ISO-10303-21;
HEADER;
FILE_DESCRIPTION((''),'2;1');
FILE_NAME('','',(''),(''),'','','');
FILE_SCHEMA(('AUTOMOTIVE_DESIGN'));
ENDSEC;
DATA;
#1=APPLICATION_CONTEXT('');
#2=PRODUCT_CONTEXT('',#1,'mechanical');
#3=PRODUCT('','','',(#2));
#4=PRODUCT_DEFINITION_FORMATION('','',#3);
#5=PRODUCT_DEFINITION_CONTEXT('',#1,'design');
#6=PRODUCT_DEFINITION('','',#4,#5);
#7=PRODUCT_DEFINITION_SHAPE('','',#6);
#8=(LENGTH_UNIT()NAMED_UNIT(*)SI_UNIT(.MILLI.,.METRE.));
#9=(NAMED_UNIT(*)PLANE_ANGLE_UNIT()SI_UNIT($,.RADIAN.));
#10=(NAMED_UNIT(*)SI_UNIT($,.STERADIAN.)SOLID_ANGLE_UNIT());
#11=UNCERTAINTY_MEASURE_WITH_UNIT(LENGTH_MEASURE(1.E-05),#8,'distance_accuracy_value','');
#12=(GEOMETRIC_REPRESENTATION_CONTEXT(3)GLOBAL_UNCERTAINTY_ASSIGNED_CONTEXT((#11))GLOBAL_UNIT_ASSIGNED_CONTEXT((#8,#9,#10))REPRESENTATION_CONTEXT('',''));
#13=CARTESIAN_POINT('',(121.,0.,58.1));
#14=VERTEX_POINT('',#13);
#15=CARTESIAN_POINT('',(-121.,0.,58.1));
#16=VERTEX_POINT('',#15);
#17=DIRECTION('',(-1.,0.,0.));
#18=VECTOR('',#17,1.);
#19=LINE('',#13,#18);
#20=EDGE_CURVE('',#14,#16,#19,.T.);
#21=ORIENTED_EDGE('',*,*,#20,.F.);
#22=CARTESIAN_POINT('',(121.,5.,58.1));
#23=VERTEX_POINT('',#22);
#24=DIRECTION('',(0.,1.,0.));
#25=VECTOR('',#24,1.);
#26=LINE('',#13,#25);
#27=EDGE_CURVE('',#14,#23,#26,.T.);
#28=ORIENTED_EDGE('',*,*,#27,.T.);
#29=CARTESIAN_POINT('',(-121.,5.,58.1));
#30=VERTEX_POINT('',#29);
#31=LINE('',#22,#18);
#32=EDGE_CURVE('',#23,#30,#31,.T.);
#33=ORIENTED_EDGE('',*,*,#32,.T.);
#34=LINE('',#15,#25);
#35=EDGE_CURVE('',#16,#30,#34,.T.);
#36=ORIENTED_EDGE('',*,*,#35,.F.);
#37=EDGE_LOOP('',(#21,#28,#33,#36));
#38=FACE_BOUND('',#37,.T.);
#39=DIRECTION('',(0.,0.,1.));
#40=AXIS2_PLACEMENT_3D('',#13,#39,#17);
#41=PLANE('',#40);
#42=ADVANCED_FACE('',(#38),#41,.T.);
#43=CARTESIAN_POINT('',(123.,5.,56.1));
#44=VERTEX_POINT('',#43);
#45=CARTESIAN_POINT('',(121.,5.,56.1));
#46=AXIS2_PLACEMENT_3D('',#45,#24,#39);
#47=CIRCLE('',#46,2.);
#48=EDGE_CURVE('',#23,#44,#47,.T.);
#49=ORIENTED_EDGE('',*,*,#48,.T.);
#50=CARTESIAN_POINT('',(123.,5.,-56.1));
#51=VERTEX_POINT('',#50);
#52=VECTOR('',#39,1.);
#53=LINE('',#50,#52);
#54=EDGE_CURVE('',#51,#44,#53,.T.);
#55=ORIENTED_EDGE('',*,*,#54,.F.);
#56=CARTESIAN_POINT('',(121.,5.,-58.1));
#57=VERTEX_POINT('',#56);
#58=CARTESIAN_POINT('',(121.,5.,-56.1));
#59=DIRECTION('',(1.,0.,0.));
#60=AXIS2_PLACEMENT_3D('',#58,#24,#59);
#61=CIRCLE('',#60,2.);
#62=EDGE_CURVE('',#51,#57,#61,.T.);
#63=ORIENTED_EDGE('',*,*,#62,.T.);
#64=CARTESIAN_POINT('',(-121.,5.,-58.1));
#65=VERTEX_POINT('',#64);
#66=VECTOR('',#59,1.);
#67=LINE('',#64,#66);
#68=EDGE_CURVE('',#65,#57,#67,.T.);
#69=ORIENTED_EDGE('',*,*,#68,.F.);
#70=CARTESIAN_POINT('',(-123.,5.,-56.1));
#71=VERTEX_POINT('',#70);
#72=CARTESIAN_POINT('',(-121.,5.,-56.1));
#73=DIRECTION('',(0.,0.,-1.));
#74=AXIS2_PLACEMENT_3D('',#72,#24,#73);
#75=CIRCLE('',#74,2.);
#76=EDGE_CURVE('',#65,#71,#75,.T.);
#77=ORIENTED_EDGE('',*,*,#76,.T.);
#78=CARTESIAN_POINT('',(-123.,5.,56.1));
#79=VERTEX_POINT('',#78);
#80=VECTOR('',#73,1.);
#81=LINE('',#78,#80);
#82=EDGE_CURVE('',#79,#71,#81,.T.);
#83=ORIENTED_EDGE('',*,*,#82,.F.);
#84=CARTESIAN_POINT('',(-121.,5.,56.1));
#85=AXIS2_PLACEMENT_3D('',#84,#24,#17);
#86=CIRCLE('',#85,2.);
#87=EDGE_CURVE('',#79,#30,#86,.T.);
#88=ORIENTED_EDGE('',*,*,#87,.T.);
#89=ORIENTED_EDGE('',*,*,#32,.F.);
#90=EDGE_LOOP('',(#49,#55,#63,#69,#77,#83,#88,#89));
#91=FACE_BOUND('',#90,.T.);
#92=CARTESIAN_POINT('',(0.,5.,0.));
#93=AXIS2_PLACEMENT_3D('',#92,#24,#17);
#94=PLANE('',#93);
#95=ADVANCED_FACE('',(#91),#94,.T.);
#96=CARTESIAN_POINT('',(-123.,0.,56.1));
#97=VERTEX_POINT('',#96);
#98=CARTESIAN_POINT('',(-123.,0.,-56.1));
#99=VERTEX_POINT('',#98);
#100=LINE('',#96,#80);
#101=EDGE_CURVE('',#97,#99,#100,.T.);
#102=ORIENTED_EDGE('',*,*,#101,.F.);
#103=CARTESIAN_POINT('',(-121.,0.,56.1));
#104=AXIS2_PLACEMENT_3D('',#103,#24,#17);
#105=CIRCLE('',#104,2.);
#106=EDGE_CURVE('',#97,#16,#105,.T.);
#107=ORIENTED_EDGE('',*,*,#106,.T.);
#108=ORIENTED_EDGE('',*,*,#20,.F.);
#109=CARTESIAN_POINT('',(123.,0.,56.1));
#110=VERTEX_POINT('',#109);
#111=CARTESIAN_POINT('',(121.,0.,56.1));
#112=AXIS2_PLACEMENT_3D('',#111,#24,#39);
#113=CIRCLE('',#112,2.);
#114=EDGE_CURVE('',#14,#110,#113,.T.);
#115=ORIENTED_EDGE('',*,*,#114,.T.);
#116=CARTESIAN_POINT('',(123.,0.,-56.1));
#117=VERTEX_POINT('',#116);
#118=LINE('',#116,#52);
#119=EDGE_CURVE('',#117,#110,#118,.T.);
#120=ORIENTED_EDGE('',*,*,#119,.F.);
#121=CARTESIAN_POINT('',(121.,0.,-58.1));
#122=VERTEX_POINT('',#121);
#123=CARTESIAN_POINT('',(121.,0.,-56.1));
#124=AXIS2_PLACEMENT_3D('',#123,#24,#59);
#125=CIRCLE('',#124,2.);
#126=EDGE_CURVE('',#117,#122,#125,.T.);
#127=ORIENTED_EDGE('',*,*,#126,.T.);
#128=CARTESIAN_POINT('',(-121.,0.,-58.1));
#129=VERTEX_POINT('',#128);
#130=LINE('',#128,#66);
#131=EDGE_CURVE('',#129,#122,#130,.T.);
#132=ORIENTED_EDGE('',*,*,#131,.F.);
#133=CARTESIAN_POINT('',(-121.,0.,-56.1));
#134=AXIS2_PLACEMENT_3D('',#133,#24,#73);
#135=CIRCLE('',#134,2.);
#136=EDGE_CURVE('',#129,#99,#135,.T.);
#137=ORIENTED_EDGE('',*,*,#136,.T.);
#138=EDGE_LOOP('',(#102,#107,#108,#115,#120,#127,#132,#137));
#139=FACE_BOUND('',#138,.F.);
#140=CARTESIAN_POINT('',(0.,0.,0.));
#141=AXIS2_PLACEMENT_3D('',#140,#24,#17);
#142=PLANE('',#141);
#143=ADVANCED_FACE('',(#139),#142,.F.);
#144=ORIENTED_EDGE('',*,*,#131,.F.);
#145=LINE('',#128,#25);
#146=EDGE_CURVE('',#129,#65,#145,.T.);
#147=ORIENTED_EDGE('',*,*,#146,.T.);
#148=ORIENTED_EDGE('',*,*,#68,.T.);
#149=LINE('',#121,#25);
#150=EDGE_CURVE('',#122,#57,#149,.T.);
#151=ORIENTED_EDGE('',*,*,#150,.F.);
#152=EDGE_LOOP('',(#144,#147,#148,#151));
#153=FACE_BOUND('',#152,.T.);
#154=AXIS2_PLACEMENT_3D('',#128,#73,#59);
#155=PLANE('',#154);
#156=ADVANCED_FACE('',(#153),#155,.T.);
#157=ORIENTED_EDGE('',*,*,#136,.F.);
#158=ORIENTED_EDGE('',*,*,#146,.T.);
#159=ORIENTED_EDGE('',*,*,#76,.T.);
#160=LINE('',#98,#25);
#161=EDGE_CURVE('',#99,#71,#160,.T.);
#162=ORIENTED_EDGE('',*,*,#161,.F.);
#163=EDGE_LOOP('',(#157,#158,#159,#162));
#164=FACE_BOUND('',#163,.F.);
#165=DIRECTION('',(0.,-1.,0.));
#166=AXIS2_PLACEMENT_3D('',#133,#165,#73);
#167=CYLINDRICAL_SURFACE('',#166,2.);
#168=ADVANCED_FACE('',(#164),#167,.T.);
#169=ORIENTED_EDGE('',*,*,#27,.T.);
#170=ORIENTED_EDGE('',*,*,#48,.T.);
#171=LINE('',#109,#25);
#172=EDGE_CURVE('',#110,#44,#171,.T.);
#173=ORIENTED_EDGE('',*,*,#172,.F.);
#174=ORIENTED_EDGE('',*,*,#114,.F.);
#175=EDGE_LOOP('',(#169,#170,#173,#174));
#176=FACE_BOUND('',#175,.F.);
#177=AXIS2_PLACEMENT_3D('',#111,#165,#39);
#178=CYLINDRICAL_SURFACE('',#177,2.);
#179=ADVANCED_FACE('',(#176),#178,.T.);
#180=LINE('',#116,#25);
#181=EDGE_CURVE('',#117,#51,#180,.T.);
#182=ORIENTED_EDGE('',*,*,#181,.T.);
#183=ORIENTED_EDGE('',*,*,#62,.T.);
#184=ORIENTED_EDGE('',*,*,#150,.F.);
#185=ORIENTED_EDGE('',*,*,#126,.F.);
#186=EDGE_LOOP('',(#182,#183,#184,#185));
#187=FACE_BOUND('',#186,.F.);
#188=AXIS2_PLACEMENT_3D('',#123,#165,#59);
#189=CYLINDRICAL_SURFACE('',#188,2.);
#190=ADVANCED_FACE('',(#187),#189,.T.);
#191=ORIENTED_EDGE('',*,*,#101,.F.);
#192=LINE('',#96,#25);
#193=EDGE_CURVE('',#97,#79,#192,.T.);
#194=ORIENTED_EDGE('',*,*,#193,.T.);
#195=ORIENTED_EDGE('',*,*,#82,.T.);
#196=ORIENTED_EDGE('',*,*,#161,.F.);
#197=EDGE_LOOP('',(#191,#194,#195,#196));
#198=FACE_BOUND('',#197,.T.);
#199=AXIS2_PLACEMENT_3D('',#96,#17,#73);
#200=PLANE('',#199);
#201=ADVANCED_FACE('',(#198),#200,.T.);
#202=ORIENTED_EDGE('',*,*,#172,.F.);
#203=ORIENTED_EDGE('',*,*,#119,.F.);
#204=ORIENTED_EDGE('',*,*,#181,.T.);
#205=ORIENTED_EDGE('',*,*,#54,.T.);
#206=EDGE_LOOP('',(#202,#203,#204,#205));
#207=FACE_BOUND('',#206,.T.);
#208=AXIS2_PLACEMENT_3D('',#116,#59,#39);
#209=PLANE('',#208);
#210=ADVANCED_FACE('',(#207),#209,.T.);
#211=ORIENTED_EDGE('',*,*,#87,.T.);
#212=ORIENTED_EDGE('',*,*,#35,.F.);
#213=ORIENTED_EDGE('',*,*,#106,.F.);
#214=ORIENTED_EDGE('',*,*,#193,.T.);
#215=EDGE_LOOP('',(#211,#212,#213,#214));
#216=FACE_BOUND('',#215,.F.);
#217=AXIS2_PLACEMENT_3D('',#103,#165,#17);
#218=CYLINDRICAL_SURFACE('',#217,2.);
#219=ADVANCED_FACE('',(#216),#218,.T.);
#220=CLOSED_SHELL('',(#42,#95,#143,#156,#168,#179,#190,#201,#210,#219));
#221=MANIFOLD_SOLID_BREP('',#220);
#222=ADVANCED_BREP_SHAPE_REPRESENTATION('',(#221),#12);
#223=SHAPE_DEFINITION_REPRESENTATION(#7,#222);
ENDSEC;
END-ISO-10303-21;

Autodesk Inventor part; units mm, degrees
ref_plane "YZ Plane" through (0, 0, 0) normal (1, 0, 0) x (0, 1, 0)
ref_plane "XZ Plane" through (0, 0, 0) normal (0, 1, 0) x (-1, 0, 0)
ref_plane "XY Plane" through (0, 0, 0) normal (0, 0, 1) x (1, 0, 0)
sketch "Sketch1" plane through (0, 0, 0) normal (0, 1, 0) x (-1, 0, 0)
  line L0 (-121, 58.1) -> (121, 58.1)
  line L1 (123, 56.1) -> (123, -56.1)
  line L2 (121, -58.1) -> (-121, -58.1)
  line L3 (-123, -56.1) -> (-123, 56.1)
  line L4 (-123, 58.1) -> (123, -58.1) construction
  line L5 (123, 58.1) -> (-123, -58.1) construction
  arc A0 (121, -58.1) -> (123, -56.1) centre (121, -56.1) ccw
  arc A1 (123, 56.1) -> (121, 58.1) centre (121, 56.1) ccw
  arc A2 (-123, -56.1) -> (-121, -58.1) centre (-121, -56.1) ccw
  arc A3 (-121, 58.1) -> (-123, 56.1) centre (-121, 56.1) ccw
  point P0 (0, 0)
  dimension "d0" = 246
  dimension "d1" = 116.2
  dimension "d4" = 2
extrude "Extrusion1" add sketch "Sketch1" along normal blind 5
properties part number "Internal Base Plate"
